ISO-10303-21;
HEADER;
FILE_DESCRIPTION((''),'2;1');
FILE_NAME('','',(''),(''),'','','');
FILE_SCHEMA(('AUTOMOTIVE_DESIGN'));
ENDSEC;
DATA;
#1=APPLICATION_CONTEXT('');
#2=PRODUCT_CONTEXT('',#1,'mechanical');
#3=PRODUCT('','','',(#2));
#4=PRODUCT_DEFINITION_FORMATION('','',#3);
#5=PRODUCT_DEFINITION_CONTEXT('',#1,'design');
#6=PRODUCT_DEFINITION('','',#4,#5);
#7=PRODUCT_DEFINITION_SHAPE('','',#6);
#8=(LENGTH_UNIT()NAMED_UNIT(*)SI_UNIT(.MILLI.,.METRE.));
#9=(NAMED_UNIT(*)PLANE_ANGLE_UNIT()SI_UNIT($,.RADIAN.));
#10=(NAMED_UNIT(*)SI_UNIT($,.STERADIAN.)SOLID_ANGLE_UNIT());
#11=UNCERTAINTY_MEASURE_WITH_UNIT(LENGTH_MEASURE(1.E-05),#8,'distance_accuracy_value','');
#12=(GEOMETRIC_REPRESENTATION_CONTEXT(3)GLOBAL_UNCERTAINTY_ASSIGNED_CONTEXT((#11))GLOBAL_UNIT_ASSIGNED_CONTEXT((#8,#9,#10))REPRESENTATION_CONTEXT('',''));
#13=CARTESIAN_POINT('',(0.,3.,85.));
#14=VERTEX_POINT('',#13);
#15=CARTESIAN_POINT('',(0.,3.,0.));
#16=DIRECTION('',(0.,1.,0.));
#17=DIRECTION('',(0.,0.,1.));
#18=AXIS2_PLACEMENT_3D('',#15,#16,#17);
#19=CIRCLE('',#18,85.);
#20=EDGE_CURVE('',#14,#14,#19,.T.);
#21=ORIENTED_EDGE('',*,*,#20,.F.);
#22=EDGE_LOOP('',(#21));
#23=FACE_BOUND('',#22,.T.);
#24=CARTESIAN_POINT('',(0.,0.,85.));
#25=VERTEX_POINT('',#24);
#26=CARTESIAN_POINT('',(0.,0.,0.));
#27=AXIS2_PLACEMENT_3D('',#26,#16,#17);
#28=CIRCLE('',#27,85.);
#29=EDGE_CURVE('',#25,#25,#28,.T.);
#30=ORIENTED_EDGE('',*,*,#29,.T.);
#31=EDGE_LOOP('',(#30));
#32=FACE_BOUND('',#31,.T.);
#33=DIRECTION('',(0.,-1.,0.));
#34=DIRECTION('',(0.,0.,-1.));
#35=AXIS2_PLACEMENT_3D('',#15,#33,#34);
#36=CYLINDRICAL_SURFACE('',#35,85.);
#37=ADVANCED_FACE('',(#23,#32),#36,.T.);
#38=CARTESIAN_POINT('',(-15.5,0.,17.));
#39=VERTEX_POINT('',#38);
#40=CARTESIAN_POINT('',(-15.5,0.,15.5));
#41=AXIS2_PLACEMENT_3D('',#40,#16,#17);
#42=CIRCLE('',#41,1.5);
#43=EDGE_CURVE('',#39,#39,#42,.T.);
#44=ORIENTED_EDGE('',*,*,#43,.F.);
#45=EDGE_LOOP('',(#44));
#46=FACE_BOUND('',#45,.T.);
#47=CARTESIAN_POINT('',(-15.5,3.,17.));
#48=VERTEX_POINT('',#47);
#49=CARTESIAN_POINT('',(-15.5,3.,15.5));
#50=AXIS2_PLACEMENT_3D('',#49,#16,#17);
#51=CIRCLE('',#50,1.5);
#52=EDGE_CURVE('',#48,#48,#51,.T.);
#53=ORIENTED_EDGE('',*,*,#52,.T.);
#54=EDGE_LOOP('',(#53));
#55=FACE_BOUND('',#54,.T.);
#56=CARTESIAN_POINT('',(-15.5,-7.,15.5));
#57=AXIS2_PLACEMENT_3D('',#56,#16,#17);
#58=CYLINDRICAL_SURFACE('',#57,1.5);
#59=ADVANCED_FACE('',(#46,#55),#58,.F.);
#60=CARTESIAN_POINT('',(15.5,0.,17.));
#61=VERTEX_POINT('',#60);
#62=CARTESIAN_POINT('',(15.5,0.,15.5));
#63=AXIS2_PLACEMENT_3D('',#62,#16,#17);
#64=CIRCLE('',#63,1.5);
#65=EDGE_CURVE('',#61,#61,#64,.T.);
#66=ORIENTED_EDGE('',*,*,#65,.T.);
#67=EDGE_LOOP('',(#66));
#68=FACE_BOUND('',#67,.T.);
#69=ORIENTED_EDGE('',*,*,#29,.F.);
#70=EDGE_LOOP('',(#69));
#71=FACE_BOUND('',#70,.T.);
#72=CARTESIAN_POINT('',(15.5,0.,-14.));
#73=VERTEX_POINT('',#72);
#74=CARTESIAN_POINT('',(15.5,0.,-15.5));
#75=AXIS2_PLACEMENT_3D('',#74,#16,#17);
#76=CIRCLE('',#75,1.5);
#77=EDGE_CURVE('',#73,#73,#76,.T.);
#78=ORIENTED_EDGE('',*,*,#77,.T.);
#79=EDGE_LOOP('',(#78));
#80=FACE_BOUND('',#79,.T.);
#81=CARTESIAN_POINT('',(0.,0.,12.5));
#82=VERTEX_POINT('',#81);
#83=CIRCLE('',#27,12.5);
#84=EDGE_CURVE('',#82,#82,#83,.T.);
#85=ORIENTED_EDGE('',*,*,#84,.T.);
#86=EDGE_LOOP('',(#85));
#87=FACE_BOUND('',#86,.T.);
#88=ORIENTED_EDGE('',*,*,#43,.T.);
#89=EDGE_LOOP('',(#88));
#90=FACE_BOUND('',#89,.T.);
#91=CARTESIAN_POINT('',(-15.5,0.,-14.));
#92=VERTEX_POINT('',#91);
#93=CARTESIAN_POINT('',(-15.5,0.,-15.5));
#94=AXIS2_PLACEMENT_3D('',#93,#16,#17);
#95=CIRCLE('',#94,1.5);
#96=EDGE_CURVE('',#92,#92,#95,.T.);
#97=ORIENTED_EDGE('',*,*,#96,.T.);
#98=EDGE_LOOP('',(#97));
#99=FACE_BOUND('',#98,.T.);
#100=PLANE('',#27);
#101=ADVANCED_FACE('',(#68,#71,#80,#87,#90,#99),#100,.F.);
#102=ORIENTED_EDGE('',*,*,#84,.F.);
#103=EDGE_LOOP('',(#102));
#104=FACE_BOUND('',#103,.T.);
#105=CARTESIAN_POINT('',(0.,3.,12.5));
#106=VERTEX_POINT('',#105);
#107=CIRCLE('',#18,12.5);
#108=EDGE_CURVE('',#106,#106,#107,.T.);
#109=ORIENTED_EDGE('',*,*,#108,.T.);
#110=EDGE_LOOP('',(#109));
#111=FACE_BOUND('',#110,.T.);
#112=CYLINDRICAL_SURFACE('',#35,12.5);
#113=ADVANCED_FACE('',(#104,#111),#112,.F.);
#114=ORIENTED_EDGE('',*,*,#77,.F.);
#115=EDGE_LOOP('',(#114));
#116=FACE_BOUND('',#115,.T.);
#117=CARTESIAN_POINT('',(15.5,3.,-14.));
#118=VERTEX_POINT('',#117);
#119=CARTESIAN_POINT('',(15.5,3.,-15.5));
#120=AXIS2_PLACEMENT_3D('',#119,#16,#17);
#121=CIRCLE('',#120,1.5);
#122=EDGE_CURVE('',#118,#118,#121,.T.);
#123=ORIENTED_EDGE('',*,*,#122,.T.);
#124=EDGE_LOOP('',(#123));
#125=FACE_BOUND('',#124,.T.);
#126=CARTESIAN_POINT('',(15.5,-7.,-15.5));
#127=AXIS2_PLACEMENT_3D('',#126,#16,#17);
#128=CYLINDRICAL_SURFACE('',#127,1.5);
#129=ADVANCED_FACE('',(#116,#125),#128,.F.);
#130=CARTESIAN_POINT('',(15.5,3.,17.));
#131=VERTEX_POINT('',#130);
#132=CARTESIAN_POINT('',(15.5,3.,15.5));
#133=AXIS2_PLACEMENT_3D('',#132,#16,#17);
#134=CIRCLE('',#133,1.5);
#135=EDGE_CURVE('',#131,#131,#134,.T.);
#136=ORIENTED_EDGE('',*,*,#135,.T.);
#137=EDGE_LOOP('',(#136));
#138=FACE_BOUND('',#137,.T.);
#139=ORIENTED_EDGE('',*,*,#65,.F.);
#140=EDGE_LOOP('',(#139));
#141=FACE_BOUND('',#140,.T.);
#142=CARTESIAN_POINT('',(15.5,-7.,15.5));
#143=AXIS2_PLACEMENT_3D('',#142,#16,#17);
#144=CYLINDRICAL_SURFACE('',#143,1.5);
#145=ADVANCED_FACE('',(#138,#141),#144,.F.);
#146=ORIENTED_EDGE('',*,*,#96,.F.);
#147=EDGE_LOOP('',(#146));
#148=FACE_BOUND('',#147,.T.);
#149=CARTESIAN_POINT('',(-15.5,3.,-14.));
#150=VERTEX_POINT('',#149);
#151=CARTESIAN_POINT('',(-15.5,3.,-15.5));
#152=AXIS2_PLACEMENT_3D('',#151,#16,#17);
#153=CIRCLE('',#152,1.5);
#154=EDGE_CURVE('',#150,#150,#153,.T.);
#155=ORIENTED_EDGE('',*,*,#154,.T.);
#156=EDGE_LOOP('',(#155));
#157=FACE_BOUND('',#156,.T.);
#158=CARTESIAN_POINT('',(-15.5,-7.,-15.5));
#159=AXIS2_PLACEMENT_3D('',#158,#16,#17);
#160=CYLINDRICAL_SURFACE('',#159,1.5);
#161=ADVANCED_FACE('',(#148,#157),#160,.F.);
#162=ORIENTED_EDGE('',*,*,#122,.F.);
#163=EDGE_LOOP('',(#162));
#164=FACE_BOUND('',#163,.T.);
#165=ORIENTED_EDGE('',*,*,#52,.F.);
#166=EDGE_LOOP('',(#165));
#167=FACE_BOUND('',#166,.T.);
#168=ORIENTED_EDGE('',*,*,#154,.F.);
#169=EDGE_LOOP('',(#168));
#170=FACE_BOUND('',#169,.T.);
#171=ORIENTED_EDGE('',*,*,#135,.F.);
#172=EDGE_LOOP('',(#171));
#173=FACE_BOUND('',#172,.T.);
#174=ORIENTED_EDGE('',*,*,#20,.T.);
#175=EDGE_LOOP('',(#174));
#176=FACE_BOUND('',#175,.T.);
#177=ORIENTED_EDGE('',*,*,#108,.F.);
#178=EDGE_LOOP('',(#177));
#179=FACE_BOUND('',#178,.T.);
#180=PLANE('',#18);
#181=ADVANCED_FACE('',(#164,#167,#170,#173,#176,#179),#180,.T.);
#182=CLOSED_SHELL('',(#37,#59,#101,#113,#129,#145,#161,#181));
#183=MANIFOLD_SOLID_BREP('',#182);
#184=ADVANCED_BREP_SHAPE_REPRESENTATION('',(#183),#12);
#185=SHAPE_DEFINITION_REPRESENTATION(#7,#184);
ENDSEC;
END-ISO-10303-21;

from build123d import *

# Parameters (mm, degrees)
SKETCH1_R           = 85
SKETCH1_R_2         = 12.5
BOSS_EXTRUDE1_DEPTH = 3
CUT_EXTRUDE1_DEPTH  = 10


with BuildPart() as part:
    # Sketch1 → Boss-Extrude1 (new body)
    with BuildSketch(Plane(origin=(0, 0, 0), x_dir=(1, 0, 0), z_dir=(0, 1, 0))):
        with Locations(Location((0, 0, 0), (0, 0, 270))):
            Circle(SKETCH1_R)
        with Locations(Location((0, 0, 0), (0, 0, 270))):
            Circle(SKETCH1_R_2, mode=Mode.SUBTRACT)
    extrude(amount=BOSS_EXTRUDE1_DEPTH)

    # Sketch2 → Cut-Extrude1 (cut)
    with BuildSketch(Plane(origin=(0, 3, 0), x_dir=(1, 0, 0), z_dir=(0, 1, 0))):
        with BuildLine():
            ThreePointArc((-14, 15.5), (-16.560660172, 16.560660172), (-15.5, 14))
            Line((-15.5, 14), (-15.5, 15.5))
            Line((-15.5, 15.5), (-14, 15.5))
        make_face()
        with BuildLine():
            Line((-15.5, 15.5), (-15.5, 14))
            ThreePointArc((-15.5, 14), (-14.439339828, 14.439339828), (-14, 15.5))
            Line((-14, 15.5), (-15.5, 15.5))
        make_face()
        with BuildLine():
            ThreePointArc((14, 15.5), (14.439339828, 14.439339828), (15.5, 14))
            Line((15.5, 14), (15.5, 15.5))
            Line((15.5, 15.5), (14, 15.5))
        make_face()
        with BuildLine():
            Line((15.5, 15.5), (15.5, 14))
            ThreePointArc((15.5, 14), (16.560660172, 14.439339828), (17, 15.5))
            ThreePointArc((17, 15.5), (15.5, 17), (14, 15.5))
            Line((14, 15.5), (15.5, 15.5))
        make_face()
        with BuildLine():
            ThreePointArc((15.5, -14), (14.439339828, -14.439339828), (14, -15.5))
            Line((14, -15.5), (15.5, -15.5))
            Line((15.5, -15.5), (15.5, -14))
        make_face()
        with BuildLine():
            Line((15.5, -15.5), (14, -15.5))
            ThreePointArc((14, -15.5), (15.5, -17), (17, -15.5))
            ThreePointArc((17, -15.5), (16.560660172, -14.439339828), (15.5, -14))
            Line((15.5, -14), (15.5, -15.5))
        make_face()
        with BuildLine():
            Line((-15.5, -14), (-15.5, -15.5))
            Line((-15.5, -15.5), (-14, -15.5))
            ThreePointArc((-14, -15.5), (-14.439339828, -14.439339828), (-15.5, -14))
        make_face()
        with BuildLine():
            Line((-14, -15.5), (-15.5, -15.5))
            Line((-15.5, -15.5), (-15.5, -14))
            ThreePointArc((-15.5, -14), (-16.560660172, -16.560660172), (-14, -15.5))
        make_face()
    extrude(amount=-CUT_EXTRUDE1_DEPTH, mode=Mode.SUBTRACT)


solid = part.part
